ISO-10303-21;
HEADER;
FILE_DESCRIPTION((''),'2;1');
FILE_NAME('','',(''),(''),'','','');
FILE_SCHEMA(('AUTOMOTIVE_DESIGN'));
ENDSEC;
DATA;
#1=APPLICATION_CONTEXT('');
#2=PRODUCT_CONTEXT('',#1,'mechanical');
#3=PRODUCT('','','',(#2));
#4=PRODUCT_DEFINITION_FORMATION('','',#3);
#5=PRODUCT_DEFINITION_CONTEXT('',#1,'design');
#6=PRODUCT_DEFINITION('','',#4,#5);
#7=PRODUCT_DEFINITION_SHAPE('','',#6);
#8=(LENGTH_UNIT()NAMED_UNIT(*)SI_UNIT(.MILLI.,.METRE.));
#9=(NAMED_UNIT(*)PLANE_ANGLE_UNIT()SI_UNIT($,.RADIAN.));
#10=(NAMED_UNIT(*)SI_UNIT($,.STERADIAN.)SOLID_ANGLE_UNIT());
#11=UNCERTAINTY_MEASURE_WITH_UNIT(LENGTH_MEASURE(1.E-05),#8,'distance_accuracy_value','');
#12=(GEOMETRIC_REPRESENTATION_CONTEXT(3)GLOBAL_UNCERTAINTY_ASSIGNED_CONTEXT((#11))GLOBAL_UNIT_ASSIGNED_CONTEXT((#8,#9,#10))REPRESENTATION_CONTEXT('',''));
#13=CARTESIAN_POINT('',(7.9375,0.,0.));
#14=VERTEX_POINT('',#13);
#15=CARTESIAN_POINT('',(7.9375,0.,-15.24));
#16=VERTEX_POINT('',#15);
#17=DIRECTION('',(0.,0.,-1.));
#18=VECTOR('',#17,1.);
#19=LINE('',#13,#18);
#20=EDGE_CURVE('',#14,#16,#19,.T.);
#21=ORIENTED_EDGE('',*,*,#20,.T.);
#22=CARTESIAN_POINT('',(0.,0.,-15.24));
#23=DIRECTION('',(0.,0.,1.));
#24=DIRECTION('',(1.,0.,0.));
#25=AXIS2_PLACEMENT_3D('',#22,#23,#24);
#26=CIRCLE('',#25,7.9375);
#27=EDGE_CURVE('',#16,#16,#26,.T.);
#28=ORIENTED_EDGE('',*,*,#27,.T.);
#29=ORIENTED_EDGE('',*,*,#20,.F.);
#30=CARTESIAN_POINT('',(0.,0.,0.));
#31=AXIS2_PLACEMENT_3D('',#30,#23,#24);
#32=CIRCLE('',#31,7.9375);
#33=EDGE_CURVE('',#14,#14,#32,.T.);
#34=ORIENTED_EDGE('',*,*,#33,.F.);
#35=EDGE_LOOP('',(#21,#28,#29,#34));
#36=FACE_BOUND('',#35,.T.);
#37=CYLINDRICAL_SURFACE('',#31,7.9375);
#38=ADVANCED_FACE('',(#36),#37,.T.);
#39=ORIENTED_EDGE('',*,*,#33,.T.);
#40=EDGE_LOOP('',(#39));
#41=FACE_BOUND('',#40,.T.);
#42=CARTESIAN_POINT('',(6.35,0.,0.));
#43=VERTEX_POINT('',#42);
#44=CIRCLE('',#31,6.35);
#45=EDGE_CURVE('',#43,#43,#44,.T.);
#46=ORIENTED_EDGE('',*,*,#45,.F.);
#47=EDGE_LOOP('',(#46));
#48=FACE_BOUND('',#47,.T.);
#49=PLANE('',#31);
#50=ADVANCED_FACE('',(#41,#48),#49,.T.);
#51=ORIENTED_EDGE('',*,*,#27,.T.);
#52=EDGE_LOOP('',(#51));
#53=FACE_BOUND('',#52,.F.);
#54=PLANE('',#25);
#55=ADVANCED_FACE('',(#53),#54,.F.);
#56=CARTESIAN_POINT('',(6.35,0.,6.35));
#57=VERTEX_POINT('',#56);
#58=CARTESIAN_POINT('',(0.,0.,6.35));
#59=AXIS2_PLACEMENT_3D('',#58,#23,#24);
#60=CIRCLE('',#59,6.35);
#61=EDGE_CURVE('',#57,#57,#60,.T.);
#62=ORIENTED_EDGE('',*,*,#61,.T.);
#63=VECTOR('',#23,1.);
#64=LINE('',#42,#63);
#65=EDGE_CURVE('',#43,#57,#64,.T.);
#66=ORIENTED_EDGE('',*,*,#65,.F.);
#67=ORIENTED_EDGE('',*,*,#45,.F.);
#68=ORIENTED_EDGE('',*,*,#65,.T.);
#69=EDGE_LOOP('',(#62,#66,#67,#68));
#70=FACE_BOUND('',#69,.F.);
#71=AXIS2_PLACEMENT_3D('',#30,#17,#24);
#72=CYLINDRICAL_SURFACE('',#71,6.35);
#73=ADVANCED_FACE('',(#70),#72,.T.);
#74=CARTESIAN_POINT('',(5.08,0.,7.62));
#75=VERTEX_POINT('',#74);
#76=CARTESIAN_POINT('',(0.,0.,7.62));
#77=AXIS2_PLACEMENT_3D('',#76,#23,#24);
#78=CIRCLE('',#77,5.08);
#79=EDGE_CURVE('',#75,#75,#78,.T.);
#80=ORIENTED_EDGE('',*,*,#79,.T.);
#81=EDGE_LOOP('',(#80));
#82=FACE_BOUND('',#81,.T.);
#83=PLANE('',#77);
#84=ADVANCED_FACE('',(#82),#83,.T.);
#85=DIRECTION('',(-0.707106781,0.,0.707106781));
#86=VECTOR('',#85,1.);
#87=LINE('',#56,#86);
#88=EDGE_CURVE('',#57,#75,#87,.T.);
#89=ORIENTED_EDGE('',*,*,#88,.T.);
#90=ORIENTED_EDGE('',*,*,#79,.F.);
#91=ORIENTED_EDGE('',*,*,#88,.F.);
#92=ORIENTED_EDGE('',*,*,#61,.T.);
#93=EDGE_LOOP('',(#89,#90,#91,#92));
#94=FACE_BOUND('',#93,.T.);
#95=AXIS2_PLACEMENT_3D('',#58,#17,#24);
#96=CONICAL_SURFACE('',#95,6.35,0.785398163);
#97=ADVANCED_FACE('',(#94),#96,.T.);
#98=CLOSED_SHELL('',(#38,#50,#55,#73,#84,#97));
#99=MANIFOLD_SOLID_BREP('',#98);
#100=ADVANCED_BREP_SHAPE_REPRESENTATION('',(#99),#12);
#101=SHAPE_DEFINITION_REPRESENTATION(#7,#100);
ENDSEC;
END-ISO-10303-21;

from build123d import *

# Parameters (mm, degrees)
SKETCH001_R  = 6.35
PAD_DEPTH    = 7.62
SKETCH_R     = 7.9375
PAD001_DEPTH = 15.24
CHAMFER_SIZE = 1.27


with BuildPart() as part:
    # Sketch001 → Pad (new body)
    with BuildSketch(Plane.XY):
        Circle(SKETCH001_R)
    extrude(amount=PAD_DEPTH)

    # Sketch → Pad001 (join)
    with BuildSketch(Plane.XY):
        Circle(SKETCH_R)
    extrude(amount=-PAD001_DEPTH)

    # Chamfer
    chamfer_edges = [part.edges().sort_by_distance(p)[0] for p in [
        (-6.35, 0, 7.62),
    ]]
    chamfer(chamfer_edges, length=CHAMFER_SIZE)


solid = part.part
